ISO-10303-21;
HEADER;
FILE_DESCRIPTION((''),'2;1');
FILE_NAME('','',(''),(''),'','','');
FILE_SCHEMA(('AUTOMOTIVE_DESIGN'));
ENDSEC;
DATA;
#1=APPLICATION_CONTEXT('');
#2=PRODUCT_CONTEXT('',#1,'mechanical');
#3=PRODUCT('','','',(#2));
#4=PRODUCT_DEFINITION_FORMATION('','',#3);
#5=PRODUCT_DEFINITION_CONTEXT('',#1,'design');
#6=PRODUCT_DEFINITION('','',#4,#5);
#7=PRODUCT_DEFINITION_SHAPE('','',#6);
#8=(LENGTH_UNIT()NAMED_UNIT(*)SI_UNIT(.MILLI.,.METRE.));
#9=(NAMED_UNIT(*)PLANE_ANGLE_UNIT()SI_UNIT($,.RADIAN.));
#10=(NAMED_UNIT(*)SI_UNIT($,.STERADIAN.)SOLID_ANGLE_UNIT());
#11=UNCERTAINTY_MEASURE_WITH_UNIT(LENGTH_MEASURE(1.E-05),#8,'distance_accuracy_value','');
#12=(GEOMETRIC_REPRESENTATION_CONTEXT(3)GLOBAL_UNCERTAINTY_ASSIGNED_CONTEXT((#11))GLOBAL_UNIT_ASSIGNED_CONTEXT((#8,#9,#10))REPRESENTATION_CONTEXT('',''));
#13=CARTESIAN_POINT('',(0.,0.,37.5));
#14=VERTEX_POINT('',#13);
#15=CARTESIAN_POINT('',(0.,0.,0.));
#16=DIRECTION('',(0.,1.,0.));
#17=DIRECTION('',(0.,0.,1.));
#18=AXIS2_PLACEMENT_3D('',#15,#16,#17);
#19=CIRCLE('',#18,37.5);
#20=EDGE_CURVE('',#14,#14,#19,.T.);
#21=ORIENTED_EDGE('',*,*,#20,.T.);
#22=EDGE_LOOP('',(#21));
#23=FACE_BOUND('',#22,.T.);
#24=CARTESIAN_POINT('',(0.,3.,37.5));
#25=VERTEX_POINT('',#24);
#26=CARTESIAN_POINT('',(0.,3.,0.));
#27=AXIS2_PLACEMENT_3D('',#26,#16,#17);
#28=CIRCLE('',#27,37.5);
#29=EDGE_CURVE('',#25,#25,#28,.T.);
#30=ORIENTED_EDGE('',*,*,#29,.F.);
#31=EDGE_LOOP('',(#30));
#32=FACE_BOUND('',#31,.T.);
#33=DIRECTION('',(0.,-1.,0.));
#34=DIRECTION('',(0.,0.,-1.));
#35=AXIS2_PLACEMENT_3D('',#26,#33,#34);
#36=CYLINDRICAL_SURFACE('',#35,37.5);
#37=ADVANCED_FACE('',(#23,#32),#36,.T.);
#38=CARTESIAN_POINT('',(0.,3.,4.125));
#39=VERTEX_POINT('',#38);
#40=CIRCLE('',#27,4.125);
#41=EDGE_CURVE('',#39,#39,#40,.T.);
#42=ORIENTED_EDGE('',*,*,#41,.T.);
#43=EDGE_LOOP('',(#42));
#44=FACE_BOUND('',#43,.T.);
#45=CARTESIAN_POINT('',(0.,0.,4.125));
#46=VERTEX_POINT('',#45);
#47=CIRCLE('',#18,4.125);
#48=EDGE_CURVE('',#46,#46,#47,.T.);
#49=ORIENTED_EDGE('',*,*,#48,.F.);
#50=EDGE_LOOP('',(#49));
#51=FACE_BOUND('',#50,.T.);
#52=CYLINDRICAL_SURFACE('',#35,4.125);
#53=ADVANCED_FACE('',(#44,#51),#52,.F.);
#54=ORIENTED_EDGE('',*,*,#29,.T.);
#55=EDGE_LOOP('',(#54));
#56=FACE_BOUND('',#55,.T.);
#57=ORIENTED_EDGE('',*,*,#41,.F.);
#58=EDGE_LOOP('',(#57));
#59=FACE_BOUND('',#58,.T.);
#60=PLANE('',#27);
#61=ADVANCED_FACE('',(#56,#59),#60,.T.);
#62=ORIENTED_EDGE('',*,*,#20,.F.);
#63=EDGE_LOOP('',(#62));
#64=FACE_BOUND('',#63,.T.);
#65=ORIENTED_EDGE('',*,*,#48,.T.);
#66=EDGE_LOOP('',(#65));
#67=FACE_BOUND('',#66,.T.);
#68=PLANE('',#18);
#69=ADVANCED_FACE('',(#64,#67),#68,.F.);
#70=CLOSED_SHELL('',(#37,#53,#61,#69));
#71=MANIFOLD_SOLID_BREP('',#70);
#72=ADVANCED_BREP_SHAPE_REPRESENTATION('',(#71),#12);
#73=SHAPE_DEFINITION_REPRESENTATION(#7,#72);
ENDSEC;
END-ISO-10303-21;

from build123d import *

# Parameters (mm, degrees)
SKETCH1_R           = 37.5
SKETCH1_R_2         = 4.125
BOSS_EXTRUDE1_DEPTH = 3


with BuildPart() as part:
    # Sketch1 → Boss-Extrude1 (new body)
    with BuildSketch(Plane(origin=(0, 0, 0), x_dir=(1, 0, 0), z_dir=(0, 1, 0))):
        Circle(SKETCH1_R)
        Circle(SKETCH1_R_2, mode=Mode.SUBTRACT)
    extrude(amount=BOSS_EXTRUDE1_DEPTH)


solid = part.part
